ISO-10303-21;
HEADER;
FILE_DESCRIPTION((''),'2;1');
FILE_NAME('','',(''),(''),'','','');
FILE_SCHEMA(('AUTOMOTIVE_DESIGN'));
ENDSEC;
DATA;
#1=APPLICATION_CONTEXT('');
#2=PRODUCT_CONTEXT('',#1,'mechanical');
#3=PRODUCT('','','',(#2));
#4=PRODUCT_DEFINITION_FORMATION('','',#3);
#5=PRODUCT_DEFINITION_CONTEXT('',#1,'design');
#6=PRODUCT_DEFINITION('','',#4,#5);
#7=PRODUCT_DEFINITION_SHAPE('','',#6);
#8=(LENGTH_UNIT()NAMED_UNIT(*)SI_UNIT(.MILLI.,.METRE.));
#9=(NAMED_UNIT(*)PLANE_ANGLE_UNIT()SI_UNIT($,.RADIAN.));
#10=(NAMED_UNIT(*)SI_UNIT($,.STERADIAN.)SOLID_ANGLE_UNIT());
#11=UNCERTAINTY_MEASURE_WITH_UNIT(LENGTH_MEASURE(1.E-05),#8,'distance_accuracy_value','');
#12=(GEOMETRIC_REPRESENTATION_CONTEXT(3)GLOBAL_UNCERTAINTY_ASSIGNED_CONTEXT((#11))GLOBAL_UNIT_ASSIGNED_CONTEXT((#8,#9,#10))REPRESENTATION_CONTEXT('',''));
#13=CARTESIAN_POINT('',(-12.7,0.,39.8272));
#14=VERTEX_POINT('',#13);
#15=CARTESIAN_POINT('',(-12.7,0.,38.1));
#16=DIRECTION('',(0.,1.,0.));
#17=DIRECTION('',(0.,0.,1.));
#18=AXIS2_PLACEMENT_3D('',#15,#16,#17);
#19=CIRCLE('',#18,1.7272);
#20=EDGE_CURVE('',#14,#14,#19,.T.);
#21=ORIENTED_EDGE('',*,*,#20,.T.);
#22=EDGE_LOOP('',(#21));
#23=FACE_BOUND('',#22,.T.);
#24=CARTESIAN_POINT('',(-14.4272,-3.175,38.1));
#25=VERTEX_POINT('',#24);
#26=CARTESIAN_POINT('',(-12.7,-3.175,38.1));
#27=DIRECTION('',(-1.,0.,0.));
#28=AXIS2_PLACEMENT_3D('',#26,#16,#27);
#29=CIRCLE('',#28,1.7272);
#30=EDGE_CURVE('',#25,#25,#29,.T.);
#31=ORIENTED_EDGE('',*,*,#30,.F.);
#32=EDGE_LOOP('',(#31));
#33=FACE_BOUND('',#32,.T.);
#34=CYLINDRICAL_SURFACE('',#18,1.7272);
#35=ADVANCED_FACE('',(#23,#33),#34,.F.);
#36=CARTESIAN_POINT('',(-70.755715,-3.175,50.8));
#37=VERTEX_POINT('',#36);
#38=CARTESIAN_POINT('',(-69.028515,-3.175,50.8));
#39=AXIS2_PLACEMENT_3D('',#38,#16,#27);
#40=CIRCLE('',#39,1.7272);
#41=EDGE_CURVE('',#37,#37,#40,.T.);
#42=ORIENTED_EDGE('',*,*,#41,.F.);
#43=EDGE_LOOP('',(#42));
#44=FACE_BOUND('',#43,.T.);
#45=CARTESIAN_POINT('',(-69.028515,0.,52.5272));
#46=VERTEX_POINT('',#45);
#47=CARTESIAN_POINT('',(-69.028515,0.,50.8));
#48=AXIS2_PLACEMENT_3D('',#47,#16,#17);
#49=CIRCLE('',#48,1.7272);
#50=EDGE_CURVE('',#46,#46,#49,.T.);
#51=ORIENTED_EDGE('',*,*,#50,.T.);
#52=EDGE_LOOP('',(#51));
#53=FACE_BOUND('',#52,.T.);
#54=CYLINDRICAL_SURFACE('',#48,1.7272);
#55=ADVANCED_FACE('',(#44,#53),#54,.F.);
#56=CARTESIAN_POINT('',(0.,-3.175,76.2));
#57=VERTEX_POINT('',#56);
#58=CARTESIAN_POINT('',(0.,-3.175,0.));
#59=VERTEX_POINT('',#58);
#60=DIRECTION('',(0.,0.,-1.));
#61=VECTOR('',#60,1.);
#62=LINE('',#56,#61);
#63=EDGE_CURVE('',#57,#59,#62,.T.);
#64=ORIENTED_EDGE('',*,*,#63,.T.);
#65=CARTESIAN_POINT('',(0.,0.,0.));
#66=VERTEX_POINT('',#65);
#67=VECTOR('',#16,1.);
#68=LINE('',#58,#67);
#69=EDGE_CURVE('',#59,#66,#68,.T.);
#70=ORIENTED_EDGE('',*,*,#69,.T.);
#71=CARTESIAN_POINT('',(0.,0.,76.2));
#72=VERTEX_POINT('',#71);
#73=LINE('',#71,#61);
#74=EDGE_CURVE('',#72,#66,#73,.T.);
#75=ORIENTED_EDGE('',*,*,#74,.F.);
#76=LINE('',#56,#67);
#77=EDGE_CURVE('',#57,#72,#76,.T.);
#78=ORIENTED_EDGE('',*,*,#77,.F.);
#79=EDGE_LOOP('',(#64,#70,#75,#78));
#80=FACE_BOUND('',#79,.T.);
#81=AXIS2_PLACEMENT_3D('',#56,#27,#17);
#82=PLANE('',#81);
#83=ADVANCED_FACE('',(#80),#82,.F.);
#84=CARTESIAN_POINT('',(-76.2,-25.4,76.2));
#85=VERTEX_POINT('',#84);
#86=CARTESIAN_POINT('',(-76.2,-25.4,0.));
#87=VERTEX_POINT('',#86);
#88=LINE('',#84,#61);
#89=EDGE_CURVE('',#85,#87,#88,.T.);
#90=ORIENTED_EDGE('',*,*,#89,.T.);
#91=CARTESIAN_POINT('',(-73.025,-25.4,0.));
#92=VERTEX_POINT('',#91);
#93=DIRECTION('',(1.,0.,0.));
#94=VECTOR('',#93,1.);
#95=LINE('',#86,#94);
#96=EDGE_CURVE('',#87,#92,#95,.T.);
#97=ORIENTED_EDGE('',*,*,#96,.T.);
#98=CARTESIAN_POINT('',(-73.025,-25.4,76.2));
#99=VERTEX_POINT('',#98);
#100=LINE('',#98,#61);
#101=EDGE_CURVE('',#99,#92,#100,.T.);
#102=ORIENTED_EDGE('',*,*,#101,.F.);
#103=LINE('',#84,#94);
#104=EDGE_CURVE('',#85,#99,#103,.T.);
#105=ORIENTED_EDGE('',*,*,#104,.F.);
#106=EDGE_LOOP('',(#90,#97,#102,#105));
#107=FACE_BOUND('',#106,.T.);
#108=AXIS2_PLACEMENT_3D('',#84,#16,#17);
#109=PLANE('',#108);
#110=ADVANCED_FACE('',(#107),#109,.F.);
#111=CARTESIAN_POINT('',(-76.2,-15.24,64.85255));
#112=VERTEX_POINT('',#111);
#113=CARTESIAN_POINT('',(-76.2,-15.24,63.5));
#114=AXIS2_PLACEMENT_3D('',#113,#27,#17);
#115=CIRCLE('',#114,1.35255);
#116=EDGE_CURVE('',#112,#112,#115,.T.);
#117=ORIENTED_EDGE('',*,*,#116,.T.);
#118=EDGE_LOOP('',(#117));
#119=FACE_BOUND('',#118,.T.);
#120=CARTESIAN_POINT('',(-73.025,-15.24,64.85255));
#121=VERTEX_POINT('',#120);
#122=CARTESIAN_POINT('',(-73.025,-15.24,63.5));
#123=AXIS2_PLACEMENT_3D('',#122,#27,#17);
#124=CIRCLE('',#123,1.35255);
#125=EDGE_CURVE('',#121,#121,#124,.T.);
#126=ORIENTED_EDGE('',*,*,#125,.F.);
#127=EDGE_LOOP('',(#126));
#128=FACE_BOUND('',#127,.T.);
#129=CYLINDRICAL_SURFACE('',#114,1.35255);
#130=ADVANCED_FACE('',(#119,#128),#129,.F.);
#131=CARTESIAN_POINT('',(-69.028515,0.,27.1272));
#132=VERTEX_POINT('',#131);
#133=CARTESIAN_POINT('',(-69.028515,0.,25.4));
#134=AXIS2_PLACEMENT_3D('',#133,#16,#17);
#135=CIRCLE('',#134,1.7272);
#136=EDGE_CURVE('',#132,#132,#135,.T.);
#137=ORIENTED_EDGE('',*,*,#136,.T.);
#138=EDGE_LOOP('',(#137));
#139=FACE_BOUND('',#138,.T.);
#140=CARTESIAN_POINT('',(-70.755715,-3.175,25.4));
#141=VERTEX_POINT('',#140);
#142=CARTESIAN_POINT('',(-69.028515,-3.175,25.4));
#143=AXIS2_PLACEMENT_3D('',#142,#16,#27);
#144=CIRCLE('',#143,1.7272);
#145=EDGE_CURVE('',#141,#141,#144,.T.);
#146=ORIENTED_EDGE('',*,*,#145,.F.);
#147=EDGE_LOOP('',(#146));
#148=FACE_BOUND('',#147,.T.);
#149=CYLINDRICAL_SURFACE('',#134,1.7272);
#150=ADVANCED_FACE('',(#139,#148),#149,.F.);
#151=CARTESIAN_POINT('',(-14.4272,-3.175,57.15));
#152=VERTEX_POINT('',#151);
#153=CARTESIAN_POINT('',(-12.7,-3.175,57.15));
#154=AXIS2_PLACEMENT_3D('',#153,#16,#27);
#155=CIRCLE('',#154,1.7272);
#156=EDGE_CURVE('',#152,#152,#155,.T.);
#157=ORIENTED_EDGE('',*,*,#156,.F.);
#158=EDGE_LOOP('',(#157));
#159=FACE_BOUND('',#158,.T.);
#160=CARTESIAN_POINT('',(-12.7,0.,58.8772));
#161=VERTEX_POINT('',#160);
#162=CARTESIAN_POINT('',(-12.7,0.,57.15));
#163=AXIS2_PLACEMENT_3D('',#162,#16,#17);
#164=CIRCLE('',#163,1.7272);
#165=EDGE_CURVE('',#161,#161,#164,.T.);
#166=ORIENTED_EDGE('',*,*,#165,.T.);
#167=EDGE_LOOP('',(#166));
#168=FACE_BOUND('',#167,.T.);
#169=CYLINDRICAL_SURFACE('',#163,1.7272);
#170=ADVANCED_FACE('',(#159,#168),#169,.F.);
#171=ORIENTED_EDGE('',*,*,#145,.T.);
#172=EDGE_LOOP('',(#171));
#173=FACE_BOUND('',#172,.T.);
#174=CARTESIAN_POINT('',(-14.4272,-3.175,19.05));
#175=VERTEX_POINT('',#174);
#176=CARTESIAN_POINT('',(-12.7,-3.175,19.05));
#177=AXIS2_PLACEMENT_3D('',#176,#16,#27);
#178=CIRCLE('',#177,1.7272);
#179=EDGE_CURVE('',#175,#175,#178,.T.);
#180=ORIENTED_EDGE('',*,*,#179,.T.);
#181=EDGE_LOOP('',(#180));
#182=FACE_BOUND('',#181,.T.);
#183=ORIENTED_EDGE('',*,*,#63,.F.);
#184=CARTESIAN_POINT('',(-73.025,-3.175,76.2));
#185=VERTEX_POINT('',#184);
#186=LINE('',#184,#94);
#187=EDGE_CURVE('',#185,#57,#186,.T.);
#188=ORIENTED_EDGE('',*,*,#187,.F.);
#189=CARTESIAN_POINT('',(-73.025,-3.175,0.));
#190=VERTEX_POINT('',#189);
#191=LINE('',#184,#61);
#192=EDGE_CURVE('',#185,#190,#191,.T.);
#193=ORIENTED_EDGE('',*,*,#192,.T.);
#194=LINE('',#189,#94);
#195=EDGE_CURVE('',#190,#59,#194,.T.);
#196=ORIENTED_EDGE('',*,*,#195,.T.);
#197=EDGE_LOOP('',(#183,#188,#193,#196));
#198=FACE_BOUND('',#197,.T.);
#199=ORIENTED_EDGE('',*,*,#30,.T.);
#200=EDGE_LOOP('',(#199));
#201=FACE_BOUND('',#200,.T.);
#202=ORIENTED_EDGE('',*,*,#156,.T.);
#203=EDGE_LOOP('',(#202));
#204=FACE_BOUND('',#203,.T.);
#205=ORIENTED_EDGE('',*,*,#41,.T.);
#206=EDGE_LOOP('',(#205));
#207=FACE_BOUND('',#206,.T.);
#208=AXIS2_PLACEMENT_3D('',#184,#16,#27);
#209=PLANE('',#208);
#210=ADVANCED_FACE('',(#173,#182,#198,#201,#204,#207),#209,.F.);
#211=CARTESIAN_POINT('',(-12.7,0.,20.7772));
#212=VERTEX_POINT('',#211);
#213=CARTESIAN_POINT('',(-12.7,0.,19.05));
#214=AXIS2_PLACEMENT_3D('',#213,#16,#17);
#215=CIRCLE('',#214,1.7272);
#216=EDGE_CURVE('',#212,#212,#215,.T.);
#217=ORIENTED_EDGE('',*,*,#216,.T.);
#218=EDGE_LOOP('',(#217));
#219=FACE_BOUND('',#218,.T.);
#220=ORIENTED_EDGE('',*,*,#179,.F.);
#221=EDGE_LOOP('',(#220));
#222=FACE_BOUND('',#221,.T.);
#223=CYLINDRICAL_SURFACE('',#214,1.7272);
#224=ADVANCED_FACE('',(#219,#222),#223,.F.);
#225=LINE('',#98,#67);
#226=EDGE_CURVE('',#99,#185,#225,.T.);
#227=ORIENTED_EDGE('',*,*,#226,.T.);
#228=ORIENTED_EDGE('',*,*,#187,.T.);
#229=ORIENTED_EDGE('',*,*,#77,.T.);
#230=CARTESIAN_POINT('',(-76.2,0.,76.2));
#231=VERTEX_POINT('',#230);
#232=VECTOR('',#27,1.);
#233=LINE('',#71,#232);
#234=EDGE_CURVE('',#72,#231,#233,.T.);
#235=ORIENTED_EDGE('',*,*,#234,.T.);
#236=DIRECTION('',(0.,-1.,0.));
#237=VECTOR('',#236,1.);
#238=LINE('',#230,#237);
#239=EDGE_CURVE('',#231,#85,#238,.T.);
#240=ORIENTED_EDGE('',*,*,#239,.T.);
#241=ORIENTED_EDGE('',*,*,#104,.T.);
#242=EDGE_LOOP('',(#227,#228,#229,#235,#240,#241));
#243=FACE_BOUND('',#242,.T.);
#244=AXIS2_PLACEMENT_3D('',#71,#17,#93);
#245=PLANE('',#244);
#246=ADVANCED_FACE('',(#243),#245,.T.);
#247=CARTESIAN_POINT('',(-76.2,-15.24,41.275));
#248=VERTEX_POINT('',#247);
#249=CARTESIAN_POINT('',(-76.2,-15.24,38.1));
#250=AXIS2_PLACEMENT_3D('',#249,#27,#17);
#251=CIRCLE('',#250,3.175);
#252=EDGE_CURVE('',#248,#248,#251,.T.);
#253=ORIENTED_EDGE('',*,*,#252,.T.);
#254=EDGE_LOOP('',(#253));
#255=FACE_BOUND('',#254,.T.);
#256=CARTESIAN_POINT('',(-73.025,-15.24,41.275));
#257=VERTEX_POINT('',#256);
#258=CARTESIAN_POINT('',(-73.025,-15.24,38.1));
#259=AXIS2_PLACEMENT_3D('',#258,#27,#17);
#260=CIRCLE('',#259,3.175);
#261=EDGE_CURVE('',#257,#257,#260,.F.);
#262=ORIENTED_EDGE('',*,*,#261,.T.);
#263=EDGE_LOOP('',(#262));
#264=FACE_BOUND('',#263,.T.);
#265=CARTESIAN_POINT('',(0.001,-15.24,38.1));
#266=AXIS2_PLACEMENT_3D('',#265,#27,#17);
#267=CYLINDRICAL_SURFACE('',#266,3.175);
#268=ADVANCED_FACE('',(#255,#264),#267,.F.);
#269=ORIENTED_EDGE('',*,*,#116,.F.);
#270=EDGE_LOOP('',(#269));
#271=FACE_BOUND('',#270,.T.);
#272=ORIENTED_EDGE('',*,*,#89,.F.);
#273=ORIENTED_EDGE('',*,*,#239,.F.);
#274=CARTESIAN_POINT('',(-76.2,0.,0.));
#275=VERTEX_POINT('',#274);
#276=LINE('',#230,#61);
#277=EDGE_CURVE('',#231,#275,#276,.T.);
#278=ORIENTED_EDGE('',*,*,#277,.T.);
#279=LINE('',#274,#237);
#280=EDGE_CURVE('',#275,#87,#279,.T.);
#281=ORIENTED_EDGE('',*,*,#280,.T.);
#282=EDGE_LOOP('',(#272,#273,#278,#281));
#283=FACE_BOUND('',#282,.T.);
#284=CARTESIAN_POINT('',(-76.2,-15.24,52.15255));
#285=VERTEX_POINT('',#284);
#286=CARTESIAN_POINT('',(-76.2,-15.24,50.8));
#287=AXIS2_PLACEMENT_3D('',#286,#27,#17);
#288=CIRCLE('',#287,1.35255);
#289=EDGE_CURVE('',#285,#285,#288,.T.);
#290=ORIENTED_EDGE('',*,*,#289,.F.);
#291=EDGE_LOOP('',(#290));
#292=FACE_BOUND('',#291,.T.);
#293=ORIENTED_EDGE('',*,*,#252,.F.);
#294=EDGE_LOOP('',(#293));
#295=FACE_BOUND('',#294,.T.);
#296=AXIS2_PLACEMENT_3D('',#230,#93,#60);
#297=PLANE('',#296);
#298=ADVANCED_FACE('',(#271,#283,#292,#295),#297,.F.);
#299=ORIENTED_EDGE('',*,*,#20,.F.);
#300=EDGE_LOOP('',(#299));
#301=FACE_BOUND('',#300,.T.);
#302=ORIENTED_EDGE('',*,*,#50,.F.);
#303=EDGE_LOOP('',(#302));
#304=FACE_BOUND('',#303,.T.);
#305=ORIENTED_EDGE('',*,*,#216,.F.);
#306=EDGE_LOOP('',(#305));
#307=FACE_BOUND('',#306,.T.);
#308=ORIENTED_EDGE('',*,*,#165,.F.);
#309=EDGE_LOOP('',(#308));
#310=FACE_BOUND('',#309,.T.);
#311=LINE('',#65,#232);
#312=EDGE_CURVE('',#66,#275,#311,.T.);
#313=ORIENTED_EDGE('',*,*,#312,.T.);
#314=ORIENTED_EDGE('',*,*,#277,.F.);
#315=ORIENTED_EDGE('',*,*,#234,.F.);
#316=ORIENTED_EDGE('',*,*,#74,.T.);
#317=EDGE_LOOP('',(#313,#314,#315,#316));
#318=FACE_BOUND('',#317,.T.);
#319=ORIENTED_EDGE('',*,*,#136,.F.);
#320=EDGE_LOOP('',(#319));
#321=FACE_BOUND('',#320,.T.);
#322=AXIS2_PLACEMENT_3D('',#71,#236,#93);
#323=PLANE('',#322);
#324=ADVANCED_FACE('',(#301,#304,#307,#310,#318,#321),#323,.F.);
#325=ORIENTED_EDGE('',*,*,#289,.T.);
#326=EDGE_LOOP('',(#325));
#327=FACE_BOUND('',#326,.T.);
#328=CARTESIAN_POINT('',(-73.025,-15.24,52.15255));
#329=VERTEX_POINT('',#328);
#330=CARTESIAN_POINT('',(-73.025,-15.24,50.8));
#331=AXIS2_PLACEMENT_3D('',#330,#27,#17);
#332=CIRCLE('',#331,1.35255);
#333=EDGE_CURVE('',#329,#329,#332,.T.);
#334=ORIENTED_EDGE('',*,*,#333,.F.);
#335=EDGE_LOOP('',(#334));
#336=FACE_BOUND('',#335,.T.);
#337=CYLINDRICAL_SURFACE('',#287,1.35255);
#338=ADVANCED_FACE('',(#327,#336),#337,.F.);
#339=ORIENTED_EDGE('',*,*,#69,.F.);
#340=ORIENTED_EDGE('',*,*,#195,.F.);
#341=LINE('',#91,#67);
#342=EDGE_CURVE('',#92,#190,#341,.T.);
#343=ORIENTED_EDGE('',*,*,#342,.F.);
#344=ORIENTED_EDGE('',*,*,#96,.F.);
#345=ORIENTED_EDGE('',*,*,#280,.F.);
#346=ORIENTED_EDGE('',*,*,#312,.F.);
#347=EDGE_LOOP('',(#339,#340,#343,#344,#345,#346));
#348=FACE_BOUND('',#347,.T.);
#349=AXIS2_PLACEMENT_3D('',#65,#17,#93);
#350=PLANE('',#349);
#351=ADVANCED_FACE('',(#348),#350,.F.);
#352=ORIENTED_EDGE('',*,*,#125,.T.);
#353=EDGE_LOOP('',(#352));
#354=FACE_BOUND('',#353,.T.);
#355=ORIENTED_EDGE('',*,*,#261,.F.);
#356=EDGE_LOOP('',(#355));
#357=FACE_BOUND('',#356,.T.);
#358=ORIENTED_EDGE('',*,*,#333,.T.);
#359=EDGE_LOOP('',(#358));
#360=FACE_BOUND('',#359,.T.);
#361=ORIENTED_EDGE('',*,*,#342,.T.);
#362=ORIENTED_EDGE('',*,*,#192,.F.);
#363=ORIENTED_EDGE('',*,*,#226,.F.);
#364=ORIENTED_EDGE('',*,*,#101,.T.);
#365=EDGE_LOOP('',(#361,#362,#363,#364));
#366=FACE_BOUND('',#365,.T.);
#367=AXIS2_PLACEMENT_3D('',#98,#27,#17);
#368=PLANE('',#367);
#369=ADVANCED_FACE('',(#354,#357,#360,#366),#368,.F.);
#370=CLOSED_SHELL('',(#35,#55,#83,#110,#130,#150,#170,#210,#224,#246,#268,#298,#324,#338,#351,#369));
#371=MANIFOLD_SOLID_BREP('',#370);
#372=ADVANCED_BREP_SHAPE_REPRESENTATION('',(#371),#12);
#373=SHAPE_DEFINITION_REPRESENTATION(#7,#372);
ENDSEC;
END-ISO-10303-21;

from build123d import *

# Parameters (mm, degrees)
BOSS_EXTRUDE1_DEPTH       = 76.2
CUT_EXTRUDE1_REACH        = 112.716
SKETCH7_R                 = 3.175
TAP_DRILL_FOR_8_32_TAP2_D = 3.4544
TAP_DRILL_FOR_8_32_TAP4_D = 3.4544
TAP_DRILL_FOR_6_32_TAP1_D = 2.7051


with BuildPart() as part:
    # Sketch2 → Boss-Extrude1 (new body)
    with BuildSketch(Plane.XY):
        Polygon((0, 0), (-76.2, 0), (-76.2, -25.4), (-73.025, -25.4), (-73.025, -3.175), (0, -3.175), align=None)
    extrude(amount=BOSS_EXTRUDE1_DEPTH)

    # Sketch7 → Cut-Extrude1 (cut, up to next)
    with BuildSketch(Plane.ZY.offset(76.2), mode=Mode.PRIVATE) as cut_extrude1_sk1:
        with Locations((38.1, -15.24)):
            Circle(SKETCH7_R)
    cut_extrude1_tool1 = extrude(cut_extrude1_sk1.sketch, amount=-CUT_EXTRUDE1_REACH, mode=Mode.PRIVATE) & part.part
    add(cut_extrude1_tool1.solids().sort_by_distance((-76.2, -15.24, 38.1))[0], mode=Mode.SUBTRACT)

    # Tap Drill for #8-32 Tap2 (through all)
    with Locations(Plane(origin=(0, 0, 0), x_dir=(1, 0, 0), z_dir=(0, 1, 0))):
        with Locations((-12.7, -19.05), (-12.7, -38.1), (-12.7, -57.15)):
            Hole(TAP_DRILL_FOR_8_32_TAP2_D / 2)

    # Tap Drill for #8-32 Tap4 (through all)
    with Locations(Plane(origin=(0, 0, 0), x_dir=(1, 0, 0), z_dir=(0, 1, 0))):
        with Locations((-69.028514561, -25.4), (-69.028514561, -50.8)):
            Hole(TAP_DRILL_FOR_8_32_TAP4_D / 2)

    # Tap Drill for #6-32 Tap1 (through all)
    with Locations(Plane.ZY.offset(76.2)):
        with Locations((50.8, -15.24), (63.5, -15.24)):
            Hole(TAP_DRILL_FOR_6_32_TAP1_D / 2)


solid = part.part
